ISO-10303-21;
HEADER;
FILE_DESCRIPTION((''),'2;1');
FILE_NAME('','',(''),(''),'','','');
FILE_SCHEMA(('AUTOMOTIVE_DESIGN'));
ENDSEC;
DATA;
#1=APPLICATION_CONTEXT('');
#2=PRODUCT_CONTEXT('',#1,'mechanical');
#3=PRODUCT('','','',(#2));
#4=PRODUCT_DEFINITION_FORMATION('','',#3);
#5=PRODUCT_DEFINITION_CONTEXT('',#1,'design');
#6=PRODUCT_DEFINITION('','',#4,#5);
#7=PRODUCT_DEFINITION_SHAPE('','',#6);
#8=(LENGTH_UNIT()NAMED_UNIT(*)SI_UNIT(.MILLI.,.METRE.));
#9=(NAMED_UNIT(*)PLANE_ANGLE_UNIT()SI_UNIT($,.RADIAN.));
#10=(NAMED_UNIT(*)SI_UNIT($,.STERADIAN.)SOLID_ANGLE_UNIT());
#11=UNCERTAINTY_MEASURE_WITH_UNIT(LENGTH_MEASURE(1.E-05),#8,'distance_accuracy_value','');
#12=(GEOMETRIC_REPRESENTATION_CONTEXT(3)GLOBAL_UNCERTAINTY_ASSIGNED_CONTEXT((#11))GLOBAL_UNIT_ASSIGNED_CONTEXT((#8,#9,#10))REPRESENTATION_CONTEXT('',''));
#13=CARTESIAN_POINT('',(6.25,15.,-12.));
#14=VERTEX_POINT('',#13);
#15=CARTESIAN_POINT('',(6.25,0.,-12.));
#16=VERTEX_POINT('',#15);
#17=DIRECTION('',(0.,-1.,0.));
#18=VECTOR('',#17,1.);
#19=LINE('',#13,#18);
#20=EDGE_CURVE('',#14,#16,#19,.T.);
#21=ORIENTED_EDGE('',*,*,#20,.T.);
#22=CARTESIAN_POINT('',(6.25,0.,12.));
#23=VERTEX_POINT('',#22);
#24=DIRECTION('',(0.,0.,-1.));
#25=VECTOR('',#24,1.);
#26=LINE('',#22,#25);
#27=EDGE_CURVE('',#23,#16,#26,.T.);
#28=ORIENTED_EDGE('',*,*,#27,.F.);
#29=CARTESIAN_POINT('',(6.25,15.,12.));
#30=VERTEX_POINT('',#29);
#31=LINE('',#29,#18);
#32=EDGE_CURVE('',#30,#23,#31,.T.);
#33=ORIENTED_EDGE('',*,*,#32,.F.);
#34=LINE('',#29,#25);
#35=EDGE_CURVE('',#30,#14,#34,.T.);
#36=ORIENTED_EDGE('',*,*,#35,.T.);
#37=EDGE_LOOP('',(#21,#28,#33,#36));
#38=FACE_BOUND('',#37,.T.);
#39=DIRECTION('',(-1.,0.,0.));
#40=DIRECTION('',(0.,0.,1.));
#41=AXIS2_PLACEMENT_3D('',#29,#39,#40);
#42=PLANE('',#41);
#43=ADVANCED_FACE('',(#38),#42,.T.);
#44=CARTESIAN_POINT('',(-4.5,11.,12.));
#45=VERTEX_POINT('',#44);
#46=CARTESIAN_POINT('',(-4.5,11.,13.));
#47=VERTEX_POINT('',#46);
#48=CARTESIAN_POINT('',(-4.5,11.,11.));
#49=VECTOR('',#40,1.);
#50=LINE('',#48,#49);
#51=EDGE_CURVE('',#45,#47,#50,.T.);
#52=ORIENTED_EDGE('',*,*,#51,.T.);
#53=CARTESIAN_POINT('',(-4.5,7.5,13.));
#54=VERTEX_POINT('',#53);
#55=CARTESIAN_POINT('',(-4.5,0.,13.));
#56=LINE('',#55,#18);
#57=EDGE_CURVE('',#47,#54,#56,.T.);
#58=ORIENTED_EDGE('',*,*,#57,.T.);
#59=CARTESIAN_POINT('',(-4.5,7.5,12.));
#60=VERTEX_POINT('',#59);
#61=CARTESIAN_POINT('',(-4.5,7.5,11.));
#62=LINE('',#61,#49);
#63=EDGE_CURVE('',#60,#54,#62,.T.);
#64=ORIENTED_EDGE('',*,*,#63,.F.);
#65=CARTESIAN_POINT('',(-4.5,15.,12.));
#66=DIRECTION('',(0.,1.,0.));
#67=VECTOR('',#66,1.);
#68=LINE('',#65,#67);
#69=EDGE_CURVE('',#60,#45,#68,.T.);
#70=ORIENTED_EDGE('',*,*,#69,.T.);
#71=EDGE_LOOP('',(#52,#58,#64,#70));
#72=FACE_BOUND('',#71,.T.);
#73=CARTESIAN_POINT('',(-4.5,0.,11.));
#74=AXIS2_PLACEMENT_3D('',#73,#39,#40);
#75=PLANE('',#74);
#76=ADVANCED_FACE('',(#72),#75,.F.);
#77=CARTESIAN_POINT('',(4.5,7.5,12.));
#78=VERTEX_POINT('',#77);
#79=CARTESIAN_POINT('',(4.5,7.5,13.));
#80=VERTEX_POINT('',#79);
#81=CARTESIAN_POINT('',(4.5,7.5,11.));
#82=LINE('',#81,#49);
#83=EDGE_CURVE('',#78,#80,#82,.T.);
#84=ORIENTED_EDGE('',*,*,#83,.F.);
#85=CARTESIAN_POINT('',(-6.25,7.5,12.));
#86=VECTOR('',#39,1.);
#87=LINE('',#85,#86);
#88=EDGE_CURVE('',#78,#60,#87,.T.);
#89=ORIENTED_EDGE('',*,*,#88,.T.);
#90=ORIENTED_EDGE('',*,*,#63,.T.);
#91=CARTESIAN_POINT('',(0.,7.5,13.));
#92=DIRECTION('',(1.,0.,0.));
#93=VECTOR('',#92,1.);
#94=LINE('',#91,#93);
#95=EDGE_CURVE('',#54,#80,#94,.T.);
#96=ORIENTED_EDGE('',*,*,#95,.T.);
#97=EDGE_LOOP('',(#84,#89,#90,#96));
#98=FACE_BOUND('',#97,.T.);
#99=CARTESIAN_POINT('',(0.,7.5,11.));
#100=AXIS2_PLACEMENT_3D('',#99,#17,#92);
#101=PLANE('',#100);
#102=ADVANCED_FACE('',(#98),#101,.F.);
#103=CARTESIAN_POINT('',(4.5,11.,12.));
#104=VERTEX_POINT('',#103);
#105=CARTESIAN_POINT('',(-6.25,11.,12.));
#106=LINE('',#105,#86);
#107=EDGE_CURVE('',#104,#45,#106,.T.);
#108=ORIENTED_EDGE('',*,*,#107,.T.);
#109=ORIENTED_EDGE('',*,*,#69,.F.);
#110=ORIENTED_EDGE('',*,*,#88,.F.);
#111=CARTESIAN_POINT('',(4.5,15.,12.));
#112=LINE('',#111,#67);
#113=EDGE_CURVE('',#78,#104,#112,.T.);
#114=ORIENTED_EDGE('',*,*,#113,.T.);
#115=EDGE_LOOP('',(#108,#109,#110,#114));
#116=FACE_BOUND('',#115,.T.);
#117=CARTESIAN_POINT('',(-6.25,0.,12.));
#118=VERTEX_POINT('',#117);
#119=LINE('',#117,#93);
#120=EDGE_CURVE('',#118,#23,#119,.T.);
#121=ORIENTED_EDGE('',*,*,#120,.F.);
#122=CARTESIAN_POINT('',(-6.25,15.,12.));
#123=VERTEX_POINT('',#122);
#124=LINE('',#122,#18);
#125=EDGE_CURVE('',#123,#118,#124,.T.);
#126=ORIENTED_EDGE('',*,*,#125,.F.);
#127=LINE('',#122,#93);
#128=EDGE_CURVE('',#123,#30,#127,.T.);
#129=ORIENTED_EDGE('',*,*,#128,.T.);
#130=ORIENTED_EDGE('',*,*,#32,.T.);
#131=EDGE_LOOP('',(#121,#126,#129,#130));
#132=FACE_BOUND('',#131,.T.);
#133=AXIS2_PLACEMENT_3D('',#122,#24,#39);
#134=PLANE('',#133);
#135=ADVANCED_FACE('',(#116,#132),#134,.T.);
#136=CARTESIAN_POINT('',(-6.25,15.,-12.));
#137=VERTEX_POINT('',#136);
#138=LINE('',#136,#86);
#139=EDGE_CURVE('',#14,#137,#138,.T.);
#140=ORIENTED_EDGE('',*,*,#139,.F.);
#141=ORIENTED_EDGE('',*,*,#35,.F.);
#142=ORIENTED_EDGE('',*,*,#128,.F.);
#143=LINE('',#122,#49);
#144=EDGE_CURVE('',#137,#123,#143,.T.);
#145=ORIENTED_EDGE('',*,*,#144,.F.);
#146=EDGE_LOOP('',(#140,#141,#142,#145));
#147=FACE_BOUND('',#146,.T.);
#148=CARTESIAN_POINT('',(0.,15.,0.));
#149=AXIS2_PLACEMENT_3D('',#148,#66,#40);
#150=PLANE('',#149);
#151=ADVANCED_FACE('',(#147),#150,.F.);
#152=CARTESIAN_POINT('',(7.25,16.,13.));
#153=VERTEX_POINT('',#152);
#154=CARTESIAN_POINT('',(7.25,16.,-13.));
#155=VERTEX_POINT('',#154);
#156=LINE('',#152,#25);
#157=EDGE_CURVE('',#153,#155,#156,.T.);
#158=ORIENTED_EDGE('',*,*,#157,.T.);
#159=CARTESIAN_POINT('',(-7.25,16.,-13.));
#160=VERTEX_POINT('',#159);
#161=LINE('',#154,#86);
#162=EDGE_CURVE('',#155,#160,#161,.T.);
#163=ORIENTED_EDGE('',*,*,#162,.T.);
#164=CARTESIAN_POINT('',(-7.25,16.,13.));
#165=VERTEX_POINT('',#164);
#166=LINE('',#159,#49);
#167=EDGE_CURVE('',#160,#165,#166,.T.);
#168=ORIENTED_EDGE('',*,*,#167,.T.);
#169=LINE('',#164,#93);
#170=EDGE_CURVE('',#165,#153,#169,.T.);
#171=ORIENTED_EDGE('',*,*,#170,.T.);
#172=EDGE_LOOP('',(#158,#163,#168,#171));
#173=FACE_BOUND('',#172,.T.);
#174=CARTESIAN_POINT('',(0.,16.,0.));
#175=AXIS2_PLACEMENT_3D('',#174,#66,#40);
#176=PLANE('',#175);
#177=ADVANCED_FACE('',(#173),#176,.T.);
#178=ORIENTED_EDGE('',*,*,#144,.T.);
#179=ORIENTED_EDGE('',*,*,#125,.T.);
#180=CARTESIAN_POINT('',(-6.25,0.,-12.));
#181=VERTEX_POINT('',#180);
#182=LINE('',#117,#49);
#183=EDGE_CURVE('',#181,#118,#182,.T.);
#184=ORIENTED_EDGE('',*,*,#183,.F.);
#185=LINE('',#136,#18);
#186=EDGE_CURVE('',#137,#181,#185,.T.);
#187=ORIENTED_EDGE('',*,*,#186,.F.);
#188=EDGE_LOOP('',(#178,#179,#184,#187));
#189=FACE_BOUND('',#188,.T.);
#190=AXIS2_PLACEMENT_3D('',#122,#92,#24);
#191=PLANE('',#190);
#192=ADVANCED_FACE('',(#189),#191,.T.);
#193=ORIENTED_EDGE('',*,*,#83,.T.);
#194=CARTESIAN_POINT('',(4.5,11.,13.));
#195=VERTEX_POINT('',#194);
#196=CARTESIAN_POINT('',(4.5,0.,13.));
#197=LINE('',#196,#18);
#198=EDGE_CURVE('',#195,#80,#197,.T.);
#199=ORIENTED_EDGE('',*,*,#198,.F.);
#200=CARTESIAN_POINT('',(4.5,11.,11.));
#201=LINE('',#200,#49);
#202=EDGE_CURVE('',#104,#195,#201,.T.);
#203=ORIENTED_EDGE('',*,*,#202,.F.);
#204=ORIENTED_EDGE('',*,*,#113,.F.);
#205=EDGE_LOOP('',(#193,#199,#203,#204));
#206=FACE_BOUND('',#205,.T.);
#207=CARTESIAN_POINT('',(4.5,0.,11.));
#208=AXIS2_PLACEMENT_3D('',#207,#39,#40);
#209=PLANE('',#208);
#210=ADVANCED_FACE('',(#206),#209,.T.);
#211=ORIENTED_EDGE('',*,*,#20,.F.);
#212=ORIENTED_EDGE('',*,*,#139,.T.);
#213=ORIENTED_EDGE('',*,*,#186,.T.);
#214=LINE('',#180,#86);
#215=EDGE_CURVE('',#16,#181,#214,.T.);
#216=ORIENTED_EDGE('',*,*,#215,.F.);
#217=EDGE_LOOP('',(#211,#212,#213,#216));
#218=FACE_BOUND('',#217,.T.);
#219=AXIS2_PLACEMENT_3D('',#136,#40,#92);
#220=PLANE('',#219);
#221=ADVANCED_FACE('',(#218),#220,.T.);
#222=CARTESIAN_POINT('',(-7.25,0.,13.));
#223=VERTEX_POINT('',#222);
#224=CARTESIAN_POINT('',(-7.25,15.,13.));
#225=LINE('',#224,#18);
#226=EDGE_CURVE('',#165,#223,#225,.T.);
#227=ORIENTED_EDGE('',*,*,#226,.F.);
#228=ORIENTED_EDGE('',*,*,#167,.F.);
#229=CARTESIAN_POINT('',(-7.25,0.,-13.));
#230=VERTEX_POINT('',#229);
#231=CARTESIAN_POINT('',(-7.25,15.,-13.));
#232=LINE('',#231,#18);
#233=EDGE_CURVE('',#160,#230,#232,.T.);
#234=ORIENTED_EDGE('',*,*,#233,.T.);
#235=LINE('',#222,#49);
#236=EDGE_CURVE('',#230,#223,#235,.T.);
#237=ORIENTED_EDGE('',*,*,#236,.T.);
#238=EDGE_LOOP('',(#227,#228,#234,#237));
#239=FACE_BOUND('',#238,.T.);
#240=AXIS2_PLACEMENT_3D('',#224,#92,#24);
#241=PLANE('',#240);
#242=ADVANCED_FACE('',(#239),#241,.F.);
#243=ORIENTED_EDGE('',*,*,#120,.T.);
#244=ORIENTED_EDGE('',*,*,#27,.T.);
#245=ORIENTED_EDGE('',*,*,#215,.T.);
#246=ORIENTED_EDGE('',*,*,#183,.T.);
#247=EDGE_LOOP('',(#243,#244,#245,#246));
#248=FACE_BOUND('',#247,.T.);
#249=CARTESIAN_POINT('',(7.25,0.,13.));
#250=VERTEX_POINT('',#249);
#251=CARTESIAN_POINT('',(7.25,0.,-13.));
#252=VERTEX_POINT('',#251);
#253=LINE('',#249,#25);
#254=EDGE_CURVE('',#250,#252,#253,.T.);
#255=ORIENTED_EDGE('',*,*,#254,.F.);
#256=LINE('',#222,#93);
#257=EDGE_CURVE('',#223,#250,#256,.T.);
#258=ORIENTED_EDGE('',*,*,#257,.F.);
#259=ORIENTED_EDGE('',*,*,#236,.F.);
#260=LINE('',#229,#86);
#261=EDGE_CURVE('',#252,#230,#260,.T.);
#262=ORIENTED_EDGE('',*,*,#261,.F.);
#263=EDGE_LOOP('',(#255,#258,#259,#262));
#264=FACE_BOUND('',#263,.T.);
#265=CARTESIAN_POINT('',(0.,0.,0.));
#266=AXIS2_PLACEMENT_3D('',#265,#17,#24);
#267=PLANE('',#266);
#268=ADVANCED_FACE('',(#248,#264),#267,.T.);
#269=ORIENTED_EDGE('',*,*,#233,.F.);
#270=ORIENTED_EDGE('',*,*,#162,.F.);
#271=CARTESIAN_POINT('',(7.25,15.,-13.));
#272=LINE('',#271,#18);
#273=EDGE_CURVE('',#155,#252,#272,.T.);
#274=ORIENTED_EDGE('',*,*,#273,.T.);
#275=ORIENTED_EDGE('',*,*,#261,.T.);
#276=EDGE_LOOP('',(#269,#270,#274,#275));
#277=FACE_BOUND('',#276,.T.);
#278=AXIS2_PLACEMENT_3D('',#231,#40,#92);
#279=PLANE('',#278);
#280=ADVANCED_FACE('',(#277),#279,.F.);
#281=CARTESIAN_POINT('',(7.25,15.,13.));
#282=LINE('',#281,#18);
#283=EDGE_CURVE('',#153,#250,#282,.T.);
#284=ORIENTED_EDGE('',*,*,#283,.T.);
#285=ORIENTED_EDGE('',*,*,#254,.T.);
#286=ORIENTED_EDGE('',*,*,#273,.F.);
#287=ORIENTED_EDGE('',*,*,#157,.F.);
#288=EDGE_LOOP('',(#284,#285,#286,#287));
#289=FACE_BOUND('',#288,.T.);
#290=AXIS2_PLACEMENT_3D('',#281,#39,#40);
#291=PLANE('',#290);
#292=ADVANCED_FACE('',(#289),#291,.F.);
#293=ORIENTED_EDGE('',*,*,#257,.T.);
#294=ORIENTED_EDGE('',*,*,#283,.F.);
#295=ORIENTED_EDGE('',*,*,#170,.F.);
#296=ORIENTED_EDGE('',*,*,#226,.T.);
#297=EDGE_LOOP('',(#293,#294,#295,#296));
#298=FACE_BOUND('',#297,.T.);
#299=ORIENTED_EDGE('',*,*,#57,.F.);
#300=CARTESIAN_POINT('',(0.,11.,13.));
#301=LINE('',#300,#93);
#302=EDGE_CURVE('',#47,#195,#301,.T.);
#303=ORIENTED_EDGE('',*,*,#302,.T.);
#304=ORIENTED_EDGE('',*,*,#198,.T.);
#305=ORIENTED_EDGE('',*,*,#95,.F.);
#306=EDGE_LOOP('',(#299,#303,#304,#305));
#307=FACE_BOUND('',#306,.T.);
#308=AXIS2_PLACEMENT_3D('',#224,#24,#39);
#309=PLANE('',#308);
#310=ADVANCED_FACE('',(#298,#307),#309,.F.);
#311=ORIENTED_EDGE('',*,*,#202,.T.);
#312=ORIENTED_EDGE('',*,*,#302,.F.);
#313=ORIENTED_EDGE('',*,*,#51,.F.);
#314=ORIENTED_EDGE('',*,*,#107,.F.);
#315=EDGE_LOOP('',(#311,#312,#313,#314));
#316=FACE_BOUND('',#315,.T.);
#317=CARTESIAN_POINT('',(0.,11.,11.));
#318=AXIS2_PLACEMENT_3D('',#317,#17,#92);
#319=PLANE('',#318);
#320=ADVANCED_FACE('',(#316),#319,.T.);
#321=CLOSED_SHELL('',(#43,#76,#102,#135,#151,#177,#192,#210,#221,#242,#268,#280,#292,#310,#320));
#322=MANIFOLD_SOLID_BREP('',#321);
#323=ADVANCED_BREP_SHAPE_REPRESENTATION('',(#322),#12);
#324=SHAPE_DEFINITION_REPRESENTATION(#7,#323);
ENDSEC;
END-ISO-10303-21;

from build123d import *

# Parameters (mm, degrees)
IZIM1_W                     = 14.5
IZIM1_H                     = 26
IZIM1_W_2                   = 12.5
IZIM1_H_2                   = 24
Y_KSEKLIK_EKSTR_ZYON1_DEPTH = 15
IZIM2_W                     = 14.5
IZIM2_H                     = 26
Y_KSEKLIK_EKSTR_ZYON2_DEPTH = 1
KES_EKSTR_ZYON1_DEPTH       = 2


with BuildPart() as part:
    # Çizim1 → Yükseklik-Ekstrüzyon1 (new body)
    with BuildSketch(Plane(origin=(0, 0, 0), x_dir=(1, 0, 0), z_dir=(0, 1, 0))):
        Rectangle(IZIM1_W, IZIM1_H)
        Rectangle(IZIM1_W_2, IZIM1_H_2, mode=Mode.SUBTRACT)
    extrude(amount=Y_KSEKLIK_EKSTR_ZYON1_DEPTH)

    # Çizim2 → Yükseklik-Ekstrüzyon2 (add)
    with BuildSketch(Plane(origin=(0, 15, 0), x_dir=(1, 0, 0), z_dir=(0, 1, 0))):
        Rectangle(IZIM2_W, IZIM2_H)
    extrude(amount=Y_KSEKLIK_EKSTR_ZYON2_DEPTH)

    # Çizim3 → Kes-Ekstrüzyon1 (cut)
    with BuildSketch(Plane.XY.offset(13)):
        Polygon((4.5, 11), (0, 11), (-4.5, 11), (-4.5, 7.5), (4.5, 7.5), align=None)
    extrude(amount=-KES_EKSTR_ZYON1_DEPTH, mode=Mode.SUBTRACT)


solid = part.part
